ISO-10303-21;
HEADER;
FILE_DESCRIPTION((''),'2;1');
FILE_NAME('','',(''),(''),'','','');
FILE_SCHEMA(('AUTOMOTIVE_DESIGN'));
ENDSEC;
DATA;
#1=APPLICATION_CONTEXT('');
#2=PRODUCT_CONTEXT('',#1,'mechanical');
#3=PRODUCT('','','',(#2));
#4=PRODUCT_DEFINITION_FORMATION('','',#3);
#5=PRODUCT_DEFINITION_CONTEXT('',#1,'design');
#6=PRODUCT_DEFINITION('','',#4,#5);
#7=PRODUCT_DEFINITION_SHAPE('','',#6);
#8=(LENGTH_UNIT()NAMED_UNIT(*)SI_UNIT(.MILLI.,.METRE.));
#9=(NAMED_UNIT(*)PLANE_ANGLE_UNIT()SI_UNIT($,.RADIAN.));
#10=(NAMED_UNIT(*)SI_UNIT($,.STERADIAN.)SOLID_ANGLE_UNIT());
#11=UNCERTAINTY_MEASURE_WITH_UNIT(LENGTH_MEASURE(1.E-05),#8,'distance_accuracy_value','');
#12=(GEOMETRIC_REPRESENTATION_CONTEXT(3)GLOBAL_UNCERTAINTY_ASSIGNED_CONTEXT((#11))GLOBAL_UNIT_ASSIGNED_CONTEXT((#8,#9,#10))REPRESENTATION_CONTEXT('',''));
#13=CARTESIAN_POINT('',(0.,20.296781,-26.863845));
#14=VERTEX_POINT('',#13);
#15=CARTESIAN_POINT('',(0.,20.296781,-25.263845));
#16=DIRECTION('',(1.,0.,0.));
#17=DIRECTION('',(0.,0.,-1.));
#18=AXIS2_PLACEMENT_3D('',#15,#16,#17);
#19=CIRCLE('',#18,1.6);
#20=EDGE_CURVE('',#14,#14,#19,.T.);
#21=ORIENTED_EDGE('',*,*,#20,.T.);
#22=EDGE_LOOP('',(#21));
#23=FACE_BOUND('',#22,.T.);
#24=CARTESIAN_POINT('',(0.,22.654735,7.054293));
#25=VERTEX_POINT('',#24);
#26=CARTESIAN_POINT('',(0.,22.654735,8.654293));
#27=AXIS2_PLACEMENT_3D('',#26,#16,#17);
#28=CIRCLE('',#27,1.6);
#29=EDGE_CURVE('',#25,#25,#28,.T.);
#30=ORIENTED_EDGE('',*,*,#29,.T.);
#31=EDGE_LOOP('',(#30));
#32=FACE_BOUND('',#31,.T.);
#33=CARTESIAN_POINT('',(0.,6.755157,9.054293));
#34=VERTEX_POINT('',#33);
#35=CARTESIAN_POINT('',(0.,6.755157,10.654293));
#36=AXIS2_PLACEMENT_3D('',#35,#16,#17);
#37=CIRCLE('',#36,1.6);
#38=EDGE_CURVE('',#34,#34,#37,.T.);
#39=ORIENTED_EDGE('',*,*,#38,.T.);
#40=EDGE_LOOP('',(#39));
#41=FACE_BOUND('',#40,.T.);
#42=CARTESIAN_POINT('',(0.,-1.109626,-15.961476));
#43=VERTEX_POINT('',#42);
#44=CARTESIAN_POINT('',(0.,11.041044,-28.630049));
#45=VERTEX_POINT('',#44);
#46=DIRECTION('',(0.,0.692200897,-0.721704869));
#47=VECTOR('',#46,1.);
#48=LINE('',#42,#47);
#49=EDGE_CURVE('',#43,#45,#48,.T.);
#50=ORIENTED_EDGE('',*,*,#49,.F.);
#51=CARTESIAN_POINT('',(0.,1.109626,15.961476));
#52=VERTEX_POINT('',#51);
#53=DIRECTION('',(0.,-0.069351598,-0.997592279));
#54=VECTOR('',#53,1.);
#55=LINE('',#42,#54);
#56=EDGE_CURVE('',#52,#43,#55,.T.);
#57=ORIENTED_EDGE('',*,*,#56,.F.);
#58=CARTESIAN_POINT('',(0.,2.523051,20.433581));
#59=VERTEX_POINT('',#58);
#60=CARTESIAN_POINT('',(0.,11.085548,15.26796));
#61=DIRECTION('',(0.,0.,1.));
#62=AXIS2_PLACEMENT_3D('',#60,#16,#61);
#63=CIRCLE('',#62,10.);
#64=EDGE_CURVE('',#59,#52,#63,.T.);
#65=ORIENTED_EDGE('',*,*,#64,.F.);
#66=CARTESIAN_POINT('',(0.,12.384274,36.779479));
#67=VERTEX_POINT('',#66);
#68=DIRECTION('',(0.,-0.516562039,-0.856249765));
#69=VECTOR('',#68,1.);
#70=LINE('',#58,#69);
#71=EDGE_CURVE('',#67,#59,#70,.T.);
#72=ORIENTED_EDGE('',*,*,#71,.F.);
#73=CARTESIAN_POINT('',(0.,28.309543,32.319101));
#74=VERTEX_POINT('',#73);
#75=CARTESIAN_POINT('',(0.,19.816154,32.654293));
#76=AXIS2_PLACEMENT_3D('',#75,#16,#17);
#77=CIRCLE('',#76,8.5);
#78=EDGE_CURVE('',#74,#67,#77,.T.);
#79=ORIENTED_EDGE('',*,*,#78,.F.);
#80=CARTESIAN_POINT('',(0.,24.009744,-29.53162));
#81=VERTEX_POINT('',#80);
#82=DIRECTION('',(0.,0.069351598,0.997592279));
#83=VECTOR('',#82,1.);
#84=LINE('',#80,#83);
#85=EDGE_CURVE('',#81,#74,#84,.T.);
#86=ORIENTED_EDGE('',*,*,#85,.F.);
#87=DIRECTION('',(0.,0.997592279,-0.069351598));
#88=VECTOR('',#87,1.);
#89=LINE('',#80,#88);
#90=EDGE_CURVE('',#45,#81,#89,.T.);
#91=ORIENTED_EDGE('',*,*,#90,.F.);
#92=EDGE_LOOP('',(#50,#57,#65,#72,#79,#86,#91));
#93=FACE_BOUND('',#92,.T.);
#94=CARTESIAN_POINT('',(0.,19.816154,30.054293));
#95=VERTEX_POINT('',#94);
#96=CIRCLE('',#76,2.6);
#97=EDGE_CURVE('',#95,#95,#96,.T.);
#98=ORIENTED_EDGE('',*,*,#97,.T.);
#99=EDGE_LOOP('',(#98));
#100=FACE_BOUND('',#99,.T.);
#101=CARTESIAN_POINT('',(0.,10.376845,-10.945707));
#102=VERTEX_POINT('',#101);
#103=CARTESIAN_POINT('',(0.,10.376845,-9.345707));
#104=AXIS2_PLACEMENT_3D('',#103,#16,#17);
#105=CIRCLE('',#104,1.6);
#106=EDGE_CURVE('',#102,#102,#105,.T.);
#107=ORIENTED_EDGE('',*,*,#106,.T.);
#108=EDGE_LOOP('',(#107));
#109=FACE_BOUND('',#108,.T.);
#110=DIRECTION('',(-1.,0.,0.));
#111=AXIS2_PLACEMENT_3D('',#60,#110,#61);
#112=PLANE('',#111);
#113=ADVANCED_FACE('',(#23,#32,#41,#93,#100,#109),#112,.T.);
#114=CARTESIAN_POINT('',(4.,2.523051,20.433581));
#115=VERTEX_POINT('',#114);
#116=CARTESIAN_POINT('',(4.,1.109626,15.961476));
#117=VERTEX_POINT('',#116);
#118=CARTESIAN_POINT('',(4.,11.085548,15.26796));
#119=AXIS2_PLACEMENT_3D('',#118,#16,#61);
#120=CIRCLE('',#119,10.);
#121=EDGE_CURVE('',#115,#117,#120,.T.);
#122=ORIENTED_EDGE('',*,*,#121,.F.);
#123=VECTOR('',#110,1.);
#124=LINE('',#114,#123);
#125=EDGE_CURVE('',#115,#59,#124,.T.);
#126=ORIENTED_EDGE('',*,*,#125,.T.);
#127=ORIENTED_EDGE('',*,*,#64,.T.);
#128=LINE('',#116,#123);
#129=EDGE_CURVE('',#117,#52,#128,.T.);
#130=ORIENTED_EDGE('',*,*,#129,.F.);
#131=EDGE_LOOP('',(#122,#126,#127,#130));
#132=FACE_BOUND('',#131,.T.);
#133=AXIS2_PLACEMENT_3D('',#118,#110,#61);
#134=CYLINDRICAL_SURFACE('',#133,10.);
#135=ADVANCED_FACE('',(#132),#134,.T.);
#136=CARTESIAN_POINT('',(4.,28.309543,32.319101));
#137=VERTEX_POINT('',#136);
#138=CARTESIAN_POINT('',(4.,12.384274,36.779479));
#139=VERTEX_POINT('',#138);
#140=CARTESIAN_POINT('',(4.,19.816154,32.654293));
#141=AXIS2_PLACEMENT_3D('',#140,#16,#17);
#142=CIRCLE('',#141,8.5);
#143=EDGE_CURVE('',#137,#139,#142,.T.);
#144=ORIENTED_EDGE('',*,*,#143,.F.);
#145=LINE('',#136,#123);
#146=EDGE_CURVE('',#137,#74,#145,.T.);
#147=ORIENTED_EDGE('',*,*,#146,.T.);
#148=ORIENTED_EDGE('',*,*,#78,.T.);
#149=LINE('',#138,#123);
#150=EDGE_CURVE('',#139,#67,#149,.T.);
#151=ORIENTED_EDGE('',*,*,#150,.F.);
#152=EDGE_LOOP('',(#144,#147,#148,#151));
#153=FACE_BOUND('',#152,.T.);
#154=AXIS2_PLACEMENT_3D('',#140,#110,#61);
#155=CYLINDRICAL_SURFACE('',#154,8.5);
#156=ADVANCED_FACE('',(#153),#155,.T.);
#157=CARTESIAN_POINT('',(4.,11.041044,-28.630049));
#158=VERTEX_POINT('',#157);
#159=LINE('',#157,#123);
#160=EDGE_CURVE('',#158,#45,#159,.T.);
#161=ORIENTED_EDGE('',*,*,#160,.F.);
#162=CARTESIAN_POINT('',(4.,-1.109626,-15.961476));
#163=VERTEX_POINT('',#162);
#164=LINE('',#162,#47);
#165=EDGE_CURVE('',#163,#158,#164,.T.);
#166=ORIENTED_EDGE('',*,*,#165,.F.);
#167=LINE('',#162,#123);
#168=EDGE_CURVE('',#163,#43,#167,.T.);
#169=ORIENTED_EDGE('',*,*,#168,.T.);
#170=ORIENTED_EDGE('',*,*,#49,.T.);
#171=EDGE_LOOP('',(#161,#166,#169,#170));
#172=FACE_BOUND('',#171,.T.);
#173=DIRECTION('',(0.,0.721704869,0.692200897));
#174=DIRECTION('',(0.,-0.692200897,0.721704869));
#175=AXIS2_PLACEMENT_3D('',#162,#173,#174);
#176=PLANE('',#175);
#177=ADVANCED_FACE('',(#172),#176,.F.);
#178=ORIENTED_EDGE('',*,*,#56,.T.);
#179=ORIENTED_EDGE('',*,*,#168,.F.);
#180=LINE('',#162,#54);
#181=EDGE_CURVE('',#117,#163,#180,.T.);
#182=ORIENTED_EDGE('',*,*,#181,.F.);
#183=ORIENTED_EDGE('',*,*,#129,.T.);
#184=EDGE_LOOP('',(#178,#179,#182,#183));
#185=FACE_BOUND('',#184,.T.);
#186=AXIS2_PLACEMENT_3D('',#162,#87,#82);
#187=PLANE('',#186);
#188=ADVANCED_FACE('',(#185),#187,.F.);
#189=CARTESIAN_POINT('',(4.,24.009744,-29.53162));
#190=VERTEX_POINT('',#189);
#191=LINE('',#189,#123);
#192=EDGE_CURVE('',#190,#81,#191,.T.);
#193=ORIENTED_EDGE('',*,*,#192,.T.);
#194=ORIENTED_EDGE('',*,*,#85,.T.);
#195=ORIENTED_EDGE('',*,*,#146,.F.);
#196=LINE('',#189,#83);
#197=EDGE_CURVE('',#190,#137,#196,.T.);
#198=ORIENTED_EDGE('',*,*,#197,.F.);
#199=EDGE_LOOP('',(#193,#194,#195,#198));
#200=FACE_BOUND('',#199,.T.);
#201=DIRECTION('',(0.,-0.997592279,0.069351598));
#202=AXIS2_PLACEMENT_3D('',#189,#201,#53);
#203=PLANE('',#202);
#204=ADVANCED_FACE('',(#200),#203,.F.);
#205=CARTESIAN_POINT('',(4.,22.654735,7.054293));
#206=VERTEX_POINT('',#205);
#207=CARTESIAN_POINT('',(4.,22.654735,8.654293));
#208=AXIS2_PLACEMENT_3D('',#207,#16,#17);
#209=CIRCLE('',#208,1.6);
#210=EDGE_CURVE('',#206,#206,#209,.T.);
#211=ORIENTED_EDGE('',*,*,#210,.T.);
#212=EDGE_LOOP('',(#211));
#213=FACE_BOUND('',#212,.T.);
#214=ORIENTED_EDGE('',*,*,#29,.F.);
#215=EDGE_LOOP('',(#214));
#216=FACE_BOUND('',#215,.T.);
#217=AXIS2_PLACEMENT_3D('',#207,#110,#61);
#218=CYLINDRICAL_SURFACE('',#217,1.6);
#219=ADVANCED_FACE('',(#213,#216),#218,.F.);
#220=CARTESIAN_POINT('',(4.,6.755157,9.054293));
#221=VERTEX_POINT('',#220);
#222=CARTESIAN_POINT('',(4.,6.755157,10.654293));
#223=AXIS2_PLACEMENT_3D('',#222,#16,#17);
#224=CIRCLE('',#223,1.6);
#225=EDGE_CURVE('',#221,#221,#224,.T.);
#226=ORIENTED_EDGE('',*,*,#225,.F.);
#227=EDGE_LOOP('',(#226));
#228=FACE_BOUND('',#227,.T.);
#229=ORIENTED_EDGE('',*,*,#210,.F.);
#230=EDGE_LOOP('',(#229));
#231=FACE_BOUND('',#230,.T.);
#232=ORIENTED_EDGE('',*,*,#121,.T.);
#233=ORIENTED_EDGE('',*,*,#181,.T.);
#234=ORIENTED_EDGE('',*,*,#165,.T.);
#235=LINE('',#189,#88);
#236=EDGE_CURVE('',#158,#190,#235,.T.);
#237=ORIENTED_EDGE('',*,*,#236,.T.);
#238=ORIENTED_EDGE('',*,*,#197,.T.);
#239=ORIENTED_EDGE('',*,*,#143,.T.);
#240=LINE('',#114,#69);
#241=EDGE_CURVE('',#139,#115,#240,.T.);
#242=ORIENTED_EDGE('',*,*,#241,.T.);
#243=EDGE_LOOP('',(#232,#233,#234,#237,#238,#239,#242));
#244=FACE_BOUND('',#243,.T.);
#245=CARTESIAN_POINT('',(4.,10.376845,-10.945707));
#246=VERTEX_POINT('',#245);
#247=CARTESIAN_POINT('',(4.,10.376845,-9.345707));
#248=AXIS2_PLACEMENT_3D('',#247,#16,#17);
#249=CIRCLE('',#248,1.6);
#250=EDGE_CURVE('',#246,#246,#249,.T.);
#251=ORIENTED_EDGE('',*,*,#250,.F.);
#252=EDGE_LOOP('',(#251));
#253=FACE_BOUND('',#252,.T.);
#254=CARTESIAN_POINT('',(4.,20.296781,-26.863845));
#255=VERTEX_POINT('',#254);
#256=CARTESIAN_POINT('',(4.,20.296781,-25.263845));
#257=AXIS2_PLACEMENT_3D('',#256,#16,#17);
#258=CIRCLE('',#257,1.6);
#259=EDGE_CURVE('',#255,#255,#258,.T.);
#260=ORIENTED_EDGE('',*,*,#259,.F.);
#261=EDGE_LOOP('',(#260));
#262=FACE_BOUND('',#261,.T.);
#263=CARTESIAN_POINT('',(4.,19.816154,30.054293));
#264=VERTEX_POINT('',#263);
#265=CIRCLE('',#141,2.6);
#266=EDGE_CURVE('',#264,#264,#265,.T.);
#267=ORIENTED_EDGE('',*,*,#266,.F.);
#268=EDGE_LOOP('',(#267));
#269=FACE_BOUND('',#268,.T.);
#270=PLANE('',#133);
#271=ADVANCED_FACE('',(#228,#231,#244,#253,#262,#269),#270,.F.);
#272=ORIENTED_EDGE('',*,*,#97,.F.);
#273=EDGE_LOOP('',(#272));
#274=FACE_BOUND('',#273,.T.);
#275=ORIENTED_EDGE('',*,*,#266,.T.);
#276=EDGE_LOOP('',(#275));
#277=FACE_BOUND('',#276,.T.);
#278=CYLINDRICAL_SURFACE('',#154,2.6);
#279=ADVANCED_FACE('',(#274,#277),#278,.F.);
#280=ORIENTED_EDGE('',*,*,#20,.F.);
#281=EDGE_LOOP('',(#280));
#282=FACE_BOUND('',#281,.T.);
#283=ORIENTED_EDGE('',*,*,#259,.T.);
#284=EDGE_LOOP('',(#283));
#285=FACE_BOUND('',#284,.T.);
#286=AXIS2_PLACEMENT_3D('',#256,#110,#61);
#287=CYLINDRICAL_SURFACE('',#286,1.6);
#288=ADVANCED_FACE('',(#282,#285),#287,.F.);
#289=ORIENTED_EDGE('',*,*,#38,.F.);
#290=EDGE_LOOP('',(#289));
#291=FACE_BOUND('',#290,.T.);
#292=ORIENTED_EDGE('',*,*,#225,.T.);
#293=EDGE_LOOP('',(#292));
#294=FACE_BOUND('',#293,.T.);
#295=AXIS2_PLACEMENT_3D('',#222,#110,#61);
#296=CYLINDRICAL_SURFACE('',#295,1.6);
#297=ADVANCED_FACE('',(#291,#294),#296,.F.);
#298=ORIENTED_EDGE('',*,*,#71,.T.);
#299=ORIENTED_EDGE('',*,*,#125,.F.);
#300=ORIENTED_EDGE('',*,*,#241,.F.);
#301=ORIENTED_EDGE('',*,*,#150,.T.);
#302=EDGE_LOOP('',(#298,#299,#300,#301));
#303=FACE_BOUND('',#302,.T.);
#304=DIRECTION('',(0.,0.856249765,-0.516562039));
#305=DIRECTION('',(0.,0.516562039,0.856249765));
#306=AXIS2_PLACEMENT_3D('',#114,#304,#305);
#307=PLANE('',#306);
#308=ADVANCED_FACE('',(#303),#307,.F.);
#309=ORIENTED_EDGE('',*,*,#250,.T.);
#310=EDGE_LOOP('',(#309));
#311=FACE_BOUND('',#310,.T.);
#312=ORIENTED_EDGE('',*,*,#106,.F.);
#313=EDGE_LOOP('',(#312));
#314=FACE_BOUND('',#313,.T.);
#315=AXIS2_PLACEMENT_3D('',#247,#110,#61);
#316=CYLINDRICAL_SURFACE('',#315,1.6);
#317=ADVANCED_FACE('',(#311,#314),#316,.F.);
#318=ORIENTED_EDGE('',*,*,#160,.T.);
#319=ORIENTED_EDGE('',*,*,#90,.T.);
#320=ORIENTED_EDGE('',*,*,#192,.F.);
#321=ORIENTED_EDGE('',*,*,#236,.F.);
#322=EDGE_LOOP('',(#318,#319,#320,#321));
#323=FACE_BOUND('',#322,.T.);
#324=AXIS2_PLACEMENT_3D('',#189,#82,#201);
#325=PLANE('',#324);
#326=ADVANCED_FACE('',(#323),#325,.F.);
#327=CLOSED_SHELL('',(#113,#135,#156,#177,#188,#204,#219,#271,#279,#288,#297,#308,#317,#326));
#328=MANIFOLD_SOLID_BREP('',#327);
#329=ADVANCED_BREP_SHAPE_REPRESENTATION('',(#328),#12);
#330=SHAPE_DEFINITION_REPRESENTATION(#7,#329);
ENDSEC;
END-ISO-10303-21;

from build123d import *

# Parameters (mm, degrees)
SKETCH_1_R      = 1.6
SKETCH_1_R_2    = 2.6
EXTRUDE_1_DEPTH = 4


with BuildPart() as part:
    # 草图1 → 凸台-拉伸1 (new body)
    with BuildSketch(Plane(origin=(0, 0, 0), x_dir=(0, 0, -1), z_dir=(1, 0, 0))):
        with BuildLine():
            Line((15.96147647, -1.109625561), (28.630049258, 11.041044095))
            Line((28.630049258, 11.041044095), (29.531620026, 24.009743728))
            Line((29.531620026, 24.009743728), (-32.319101296, 28.309542775))
            ThreePointArc((-32.319101296, 28.309542775), (-40.839313336, 22.108629409), (-36.779478782, 12.384274255))
            Line((-36.779478782, 12.384274255), (-20.433580884, 2.523050705))
            ThreePointArc((-20.433580884, 2.523050705), (-18.281565047, 1.550445439), (-15.96147647, 1.109625561))
            Line((-15.96147647, 1.109625561), (15.96147647, -1.109625561))
        make_face()
        with Locations((25.263844519, 20.296781)):
            Circle(SKETCH_1_R, mode=Mode.SUBTRACT)
        with Locations((-8.654292981, 22.654735317)):
            Circle(SKETCH_1_R, mode=Mode.SUBTRACT)
        with Locations((9.345707019, 10.376844831)):
            Circle(SKETCH_1_R, mode=Mode.SUBTRACT)
        with Locations((-10.654292981, 6.755156769)):
            Circle(SKETCH_1_R, mode=Mode.SUBTRACT)
        with Locations((-32.654292981, 19.816154374)):
            Circle(SKETCH_1_R_2, mode=Mode.SUBTRACT)
    extrude(amount=EXTRUDE_1_DEPTH)


solid = part.part
